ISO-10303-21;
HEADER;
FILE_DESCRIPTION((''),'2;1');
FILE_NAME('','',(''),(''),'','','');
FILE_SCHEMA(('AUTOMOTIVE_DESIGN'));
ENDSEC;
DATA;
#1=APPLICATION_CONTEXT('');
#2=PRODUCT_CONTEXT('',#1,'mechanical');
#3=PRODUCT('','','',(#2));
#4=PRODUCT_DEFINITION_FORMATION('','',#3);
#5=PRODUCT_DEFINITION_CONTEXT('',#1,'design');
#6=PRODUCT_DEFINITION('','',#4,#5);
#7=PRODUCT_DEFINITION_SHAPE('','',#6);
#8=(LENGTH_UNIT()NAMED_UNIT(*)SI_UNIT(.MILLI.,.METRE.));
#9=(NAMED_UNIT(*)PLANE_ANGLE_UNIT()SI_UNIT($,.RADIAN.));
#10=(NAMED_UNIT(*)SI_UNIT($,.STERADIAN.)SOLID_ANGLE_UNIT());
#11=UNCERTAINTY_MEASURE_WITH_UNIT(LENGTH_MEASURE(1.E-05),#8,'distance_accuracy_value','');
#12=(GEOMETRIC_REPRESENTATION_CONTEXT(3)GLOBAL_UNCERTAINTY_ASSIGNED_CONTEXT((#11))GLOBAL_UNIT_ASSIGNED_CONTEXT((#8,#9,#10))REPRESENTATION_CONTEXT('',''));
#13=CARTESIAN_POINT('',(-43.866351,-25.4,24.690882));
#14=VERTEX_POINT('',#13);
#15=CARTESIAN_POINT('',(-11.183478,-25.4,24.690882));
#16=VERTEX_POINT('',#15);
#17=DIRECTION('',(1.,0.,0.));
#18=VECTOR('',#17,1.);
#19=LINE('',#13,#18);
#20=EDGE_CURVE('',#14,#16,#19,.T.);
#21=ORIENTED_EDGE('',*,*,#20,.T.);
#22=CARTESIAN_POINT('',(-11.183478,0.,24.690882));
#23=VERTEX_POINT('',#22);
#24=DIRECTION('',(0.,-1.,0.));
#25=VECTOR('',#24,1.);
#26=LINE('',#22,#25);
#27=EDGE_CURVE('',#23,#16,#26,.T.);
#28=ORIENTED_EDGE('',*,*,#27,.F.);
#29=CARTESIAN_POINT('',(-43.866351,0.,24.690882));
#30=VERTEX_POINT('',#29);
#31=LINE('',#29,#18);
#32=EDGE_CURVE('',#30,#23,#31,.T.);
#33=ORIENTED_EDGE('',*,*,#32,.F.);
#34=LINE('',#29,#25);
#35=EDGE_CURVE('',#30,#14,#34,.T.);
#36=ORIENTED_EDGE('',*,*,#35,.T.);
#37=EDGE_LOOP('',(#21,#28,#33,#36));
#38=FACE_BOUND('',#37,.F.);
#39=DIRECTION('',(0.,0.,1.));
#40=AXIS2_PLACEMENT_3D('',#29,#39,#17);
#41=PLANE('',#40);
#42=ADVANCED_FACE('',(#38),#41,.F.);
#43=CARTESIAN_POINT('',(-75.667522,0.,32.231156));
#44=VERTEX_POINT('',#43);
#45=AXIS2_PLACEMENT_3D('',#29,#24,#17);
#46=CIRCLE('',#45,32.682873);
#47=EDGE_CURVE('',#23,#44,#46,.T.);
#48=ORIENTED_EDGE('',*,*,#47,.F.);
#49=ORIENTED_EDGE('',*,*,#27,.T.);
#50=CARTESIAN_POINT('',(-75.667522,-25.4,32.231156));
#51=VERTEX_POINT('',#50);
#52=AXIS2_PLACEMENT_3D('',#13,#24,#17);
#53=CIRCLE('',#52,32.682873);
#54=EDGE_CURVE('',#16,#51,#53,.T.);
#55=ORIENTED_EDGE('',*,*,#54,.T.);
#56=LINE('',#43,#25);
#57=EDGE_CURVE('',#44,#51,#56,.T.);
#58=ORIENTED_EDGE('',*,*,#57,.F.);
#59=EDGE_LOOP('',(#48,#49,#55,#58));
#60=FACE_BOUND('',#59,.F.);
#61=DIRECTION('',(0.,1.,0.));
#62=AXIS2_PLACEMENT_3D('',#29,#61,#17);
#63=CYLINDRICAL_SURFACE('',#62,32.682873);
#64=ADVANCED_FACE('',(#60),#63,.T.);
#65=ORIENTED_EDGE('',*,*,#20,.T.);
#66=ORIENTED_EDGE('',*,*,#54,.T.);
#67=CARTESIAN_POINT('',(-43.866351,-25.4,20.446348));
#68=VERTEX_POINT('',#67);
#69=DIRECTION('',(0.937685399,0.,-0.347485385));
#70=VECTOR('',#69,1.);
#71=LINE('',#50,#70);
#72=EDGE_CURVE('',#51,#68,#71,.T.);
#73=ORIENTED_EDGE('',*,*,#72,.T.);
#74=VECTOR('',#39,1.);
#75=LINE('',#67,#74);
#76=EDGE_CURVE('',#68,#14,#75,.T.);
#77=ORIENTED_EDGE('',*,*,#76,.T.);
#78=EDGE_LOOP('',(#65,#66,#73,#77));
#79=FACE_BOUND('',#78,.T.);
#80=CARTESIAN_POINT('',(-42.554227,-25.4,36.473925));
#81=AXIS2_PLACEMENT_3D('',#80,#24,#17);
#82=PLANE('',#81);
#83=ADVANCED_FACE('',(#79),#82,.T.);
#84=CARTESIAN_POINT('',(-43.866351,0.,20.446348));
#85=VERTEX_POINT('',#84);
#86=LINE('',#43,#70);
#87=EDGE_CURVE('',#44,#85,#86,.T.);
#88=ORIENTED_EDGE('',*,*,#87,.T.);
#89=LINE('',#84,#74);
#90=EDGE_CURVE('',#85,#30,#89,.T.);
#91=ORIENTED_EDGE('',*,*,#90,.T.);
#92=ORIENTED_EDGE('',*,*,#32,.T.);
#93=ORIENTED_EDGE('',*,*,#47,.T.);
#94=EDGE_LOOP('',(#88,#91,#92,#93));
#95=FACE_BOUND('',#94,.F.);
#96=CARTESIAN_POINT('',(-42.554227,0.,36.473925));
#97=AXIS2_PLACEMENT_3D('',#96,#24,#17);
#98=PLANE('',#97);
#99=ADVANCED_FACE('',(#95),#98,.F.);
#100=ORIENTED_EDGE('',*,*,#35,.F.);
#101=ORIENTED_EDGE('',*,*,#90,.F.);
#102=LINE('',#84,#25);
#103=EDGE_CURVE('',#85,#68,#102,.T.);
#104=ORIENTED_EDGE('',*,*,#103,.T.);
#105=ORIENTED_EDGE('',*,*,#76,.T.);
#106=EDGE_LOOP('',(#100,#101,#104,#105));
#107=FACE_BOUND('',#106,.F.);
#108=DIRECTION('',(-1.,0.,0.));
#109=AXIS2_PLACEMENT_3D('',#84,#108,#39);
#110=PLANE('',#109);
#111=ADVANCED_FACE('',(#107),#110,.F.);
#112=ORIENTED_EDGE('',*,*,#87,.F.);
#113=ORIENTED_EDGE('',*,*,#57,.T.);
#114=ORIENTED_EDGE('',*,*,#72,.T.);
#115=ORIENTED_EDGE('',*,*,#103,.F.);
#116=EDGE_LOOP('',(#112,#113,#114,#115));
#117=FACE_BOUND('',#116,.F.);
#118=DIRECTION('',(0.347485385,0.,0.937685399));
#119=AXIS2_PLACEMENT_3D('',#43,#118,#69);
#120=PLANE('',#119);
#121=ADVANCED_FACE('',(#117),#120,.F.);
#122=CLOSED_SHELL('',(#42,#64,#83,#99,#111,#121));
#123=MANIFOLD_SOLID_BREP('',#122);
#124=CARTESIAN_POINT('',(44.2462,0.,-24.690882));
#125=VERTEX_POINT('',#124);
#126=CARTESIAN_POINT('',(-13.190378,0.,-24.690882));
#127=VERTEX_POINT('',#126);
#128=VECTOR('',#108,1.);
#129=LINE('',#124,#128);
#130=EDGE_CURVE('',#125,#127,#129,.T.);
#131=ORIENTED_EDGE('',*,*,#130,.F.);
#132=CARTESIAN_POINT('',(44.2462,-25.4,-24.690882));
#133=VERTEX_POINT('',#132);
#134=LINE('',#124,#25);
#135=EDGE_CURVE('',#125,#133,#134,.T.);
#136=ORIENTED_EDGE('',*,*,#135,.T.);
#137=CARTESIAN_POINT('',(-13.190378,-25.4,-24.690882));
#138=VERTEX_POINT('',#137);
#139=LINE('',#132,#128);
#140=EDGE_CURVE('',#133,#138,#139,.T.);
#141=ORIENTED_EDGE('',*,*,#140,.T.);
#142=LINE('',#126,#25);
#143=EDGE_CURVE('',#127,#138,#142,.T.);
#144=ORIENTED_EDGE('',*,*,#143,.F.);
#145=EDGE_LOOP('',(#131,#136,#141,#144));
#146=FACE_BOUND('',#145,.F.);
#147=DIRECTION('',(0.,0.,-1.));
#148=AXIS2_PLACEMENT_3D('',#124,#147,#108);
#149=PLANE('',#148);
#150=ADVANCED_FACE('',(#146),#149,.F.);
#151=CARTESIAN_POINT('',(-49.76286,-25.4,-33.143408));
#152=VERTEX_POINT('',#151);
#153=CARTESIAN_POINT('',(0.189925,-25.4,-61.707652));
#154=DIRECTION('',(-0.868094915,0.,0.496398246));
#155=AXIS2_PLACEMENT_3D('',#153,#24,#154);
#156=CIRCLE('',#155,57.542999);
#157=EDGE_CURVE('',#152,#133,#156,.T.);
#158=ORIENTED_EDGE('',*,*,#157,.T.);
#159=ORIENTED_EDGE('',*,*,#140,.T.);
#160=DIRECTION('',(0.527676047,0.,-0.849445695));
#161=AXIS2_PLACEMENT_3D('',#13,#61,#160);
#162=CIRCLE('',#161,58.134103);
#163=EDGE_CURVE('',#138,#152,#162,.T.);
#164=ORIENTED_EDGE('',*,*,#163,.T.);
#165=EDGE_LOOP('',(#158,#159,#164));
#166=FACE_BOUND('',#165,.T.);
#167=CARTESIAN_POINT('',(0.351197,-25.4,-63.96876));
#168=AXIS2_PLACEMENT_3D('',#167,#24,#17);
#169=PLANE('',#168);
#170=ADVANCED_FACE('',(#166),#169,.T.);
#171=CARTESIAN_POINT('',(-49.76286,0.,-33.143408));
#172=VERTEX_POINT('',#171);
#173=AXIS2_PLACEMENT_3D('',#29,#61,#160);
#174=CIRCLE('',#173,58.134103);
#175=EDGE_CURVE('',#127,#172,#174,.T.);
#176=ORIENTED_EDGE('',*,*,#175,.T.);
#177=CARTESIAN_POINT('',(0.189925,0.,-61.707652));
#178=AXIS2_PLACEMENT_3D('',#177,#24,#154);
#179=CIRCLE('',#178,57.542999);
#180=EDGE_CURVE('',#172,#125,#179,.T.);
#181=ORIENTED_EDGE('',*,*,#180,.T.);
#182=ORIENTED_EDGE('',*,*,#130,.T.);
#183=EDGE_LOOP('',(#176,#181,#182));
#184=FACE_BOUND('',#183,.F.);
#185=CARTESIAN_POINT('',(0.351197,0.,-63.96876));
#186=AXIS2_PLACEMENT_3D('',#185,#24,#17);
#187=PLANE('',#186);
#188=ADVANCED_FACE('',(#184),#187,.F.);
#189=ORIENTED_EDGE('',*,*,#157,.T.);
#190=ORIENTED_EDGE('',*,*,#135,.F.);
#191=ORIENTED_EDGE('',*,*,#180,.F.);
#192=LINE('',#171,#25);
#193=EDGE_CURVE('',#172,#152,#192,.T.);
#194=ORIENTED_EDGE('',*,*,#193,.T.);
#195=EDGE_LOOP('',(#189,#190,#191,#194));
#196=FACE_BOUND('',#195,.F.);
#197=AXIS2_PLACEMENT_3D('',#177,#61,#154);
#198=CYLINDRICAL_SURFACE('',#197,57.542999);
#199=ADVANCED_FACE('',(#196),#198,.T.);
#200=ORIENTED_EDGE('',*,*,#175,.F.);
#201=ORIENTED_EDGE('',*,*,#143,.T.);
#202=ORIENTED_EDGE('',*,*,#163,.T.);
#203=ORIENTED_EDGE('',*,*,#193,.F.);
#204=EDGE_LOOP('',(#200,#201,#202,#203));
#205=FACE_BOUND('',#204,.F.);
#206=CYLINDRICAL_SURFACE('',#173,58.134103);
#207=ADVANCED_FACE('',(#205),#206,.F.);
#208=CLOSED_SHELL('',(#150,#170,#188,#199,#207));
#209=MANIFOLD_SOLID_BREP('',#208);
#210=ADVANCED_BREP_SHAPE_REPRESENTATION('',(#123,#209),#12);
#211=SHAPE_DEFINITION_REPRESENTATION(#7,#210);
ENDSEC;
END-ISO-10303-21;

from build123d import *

# Parameters (mm, degrees)
F1_DEPTH = 25.4


with BuildPart() as f1:
    # F0 (on Front) → F1 (new body)
    with BuildSketch(Plane.XZ):
        with BuildLine():
            Line((44.2462004721, -24.6908816043), (-13.1903777916, -24.6908816043))
            ThreePointArc((-13.1903777916, -24.6908816043), (-30.7756382247, -31.9501557943), (-49.7628601161, -33.1434081223))
            ThreePointArc((-49.7628601161, -33.1434081223), (5.3429339611, -119.0194587938), (44.2462004721, -24.6908816043))
        make_face()
    extrude(amount=F1_DEPTH)


with BuildPart() as f1b:
    # F0 (on Front) → F1, piece 2 (new body)
    with BuildSketch(Plane.XZ):
        with BuildLine():
            Line((-75.6675221451, 32.23115595), (-43.8663512468, 20.4463482369))
            Line((-43.8663512468, 20.4463482369), (-43.8663512468, 24.6908816043))
            Line((-43.8663512468, 24.6908816043), (-11.1834779382, 24.6908816043))
            ThreePointArc((-11.1834779382, 24.6908816043), (-40.0705266872, 57.1525809379), (-75.6675221451, 32.23115595))
        make_face()
    extrude(amount=F1_DEPTH)


solid = Compound([f1.part, f1b.part])
